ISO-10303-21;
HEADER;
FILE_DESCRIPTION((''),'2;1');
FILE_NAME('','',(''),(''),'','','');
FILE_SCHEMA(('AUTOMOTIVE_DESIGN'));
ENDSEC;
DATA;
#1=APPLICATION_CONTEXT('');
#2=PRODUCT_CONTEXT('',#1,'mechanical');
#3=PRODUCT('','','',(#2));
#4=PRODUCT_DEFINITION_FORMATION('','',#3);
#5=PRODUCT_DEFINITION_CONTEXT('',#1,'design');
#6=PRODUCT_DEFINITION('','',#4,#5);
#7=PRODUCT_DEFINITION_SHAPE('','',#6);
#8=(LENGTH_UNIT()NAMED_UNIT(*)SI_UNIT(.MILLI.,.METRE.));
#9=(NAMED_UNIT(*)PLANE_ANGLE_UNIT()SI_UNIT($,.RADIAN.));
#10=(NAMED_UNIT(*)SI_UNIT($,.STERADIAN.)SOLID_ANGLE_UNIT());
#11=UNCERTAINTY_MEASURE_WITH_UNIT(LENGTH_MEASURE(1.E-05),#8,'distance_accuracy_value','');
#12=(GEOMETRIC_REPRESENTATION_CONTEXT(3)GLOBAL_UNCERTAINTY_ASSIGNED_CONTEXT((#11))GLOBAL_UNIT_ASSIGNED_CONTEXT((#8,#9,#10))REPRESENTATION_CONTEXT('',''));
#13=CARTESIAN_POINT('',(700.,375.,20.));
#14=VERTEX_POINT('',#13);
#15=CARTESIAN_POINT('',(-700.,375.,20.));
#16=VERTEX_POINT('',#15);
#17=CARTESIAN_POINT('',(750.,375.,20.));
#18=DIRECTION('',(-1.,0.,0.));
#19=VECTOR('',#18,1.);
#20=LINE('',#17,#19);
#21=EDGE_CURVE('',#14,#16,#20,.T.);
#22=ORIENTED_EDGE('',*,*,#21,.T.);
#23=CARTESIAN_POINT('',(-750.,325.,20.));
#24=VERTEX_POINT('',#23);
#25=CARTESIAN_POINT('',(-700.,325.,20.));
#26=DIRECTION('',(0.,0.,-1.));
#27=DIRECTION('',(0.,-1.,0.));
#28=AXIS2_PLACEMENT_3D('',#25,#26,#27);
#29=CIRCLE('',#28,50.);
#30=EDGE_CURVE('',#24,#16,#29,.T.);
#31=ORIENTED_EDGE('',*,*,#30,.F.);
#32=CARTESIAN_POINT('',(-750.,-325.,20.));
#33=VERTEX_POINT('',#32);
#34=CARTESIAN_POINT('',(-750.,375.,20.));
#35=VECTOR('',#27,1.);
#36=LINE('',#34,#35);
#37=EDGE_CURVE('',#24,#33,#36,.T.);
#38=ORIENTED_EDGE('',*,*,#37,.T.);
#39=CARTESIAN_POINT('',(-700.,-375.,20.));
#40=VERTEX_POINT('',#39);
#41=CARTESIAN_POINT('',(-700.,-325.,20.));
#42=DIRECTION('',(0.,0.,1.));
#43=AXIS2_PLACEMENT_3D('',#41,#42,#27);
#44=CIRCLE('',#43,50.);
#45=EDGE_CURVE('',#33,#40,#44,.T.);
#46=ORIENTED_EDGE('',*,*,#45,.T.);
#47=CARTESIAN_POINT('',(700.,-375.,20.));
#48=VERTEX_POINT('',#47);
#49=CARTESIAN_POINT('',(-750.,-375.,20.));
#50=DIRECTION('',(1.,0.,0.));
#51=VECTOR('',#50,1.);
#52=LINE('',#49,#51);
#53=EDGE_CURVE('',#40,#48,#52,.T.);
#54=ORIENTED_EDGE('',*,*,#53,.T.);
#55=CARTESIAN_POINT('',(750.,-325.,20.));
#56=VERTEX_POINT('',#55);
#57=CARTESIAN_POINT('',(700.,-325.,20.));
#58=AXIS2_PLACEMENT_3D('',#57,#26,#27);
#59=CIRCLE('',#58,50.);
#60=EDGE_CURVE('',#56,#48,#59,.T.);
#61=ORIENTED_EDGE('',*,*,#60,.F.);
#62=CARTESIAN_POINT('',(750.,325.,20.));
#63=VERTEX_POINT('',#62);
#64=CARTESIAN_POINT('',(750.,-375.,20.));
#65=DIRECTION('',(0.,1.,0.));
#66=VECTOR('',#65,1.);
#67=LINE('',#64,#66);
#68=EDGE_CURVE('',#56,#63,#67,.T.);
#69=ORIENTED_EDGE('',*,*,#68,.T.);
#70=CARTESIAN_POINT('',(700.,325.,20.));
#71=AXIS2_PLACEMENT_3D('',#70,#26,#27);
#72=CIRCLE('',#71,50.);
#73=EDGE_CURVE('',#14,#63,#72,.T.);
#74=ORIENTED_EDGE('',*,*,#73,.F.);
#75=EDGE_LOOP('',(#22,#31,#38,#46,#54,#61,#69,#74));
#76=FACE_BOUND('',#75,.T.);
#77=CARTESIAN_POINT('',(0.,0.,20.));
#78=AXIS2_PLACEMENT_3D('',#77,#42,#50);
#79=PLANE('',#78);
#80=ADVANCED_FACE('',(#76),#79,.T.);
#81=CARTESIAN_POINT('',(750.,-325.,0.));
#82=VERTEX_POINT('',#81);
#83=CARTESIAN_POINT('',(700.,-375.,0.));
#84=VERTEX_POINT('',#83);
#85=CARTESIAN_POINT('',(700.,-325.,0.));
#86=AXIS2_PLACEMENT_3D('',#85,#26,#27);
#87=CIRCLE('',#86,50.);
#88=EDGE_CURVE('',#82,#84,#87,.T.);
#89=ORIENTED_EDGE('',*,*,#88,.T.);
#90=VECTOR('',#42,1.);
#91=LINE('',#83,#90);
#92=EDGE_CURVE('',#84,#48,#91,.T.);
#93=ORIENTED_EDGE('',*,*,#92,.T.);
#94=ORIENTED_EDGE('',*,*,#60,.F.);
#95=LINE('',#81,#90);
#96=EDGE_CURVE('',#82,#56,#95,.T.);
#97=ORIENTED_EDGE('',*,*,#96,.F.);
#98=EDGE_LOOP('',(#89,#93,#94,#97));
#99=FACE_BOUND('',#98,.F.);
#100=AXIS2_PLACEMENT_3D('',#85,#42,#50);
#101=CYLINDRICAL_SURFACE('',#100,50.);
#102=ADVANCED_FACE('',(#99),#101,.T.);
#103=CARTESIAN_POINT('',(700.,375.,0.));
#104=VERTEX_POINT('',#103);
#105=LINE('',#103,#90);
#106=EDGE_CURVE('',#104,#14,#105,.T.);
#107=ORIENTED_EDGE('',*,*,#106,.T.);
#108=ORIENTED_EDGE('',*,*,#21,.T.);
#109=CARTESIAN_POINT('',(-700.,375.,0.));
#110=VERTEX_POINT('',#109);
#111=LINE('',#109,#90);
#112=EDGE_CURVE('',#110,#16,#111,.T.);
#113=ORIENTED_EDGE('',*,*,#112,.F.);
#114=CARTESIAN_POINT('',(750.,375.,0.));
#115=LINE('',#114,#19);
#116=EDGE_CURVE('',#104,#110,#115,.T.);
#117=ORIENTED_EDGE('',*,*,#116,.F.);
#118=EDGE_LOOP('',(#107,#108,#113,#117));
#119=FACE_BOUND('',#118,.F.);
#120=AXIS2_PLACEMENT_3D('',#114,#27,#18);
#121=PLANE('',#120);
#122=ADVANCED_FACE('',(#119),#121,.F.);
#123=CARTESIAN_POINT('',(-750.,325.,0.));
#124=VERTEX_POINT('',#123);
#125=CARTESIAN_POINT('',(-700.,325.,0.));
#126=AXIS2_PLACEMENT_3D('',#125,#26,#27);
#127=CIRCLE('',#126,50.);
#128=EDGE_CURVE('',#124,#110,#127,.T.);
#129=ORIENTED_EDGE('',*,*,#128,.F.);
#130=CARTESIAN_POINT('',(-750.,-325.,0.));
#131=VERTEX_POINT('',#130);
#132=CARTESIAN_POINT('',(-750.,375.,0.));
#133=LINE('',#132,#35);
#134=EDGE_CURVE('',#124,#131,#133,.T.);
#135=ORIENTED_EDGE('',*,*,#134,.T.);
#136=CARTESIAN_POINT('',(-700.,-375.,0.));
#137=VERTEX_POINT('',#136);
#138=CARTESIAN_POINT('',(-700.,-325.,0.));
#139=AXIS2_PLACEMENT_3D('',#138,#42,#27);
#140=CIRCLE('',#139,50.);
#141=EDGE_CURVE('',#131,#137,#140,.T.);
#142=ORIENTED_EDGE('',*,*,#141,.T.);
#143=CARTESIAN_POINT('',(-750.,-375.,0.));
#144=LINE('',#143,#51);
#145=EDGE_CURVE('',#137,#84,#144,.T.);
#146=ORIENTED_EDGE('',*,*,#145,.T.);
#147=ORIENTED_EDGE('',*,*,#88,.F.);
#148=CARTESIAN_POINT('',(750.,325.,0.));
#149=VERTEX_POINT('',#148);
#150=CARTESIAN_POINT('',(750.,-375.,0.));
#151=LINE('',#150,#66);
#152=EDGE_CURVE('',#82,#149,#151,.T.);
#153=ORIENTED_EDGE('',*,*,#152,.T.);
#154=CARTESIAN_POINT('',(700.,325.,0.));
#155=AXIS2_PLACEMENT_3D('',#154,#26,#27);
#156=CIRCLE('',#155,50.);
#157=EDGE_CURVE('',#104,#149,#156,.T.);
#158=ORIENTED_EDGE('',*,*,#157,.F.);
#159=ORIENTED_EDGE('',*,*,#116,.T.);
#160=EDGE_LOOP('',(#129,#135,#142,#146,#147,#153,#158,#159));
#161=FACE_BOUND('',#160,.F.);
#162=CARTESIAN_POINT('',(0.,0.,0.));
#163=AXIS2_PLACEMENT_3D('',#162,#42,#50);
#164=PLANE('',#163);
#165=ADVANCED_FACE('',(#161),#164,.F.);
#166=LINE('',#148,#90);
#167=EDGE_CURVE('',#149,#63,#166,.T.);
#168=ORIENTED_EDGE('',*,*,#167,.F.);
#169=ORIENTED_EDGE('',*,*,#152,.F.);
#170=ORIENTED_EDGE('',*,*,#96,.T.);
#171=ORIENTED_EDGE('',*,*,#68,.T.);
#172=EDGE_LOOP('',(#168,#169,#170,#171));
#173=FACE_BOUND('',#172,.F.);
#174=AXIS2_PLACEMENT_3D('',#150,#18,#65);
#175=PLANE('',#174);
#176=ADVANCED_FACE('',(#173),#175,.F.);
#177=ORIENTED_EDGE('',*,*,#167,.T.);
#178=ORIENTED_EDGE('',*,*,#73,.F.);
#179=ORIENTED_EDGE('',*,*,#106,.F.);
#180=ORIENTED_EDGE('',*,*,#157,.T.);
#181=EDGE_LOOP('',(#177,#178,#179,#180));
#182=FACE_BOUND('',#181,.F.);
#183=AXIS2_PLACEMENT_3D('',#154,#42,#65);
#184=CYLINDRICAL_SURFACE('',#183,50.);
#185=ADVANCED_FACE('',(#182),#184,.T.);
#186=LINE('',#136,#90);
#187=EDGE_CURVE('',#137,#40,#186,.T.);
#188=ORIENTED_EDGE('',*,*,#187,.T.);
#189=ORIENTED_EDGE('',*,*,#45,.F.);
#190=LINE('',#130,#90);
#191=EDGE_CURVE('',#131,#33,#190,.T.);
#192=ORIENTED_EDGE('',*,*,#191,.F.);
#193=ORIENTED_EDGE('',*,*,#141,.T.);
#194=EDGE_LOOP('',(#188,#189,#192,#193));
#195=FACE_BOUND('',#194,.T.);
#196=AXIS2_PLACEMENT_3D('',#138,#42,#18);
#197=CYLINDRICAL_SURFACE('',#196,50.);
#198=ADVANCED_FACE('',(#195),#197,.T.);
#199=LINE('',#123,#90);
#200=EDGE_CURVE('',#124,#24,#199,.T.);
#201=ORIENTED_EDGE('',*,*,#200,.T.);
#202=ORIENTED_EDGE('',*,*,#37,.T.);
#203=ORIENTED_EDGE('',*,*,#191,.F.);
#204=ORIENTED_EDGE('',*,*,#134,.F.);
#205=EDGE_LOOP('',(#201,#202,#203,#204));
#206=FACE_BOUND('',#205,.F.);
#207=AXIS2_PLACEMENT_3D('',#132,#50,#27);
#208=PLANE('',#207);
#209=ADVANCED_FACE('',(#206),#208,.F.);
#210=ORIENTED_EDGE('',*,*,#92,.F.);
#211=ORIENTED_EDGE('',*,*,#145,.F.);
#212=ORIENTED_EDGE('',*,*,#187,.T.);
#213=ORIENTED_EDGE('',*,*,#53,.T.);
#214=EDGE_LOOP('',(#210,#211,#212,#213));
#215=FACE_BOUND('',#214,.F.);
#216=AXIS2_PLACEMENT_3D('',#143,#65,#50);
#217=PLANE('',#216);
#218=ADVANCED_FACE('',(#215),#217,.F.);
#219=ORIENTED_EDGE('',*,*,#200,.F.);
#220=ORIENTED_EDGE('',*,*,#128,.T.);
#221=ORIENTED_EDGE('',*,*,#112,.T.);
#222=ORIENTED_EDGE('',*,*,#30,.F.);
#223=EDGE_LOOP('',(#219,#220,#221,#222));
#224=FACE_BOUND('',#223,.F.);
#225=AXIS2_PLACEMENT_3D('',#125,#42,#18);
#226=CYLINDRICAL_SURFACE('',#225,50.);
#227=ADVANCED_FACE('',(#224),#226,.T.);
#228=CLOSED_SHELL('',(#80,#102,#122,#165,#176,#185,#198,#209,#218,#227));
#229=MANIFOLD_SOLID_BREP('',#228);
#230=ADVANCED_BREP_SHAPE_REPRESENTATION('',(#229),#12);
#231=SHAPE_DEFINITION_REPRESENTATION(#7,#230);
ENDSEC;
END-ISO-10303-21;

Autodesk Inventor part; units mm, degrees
sketch "Sketch1" plane through (0, 0, 0) normal (0, 0, 1) x (1, 0, 0)
  line L0 (-750, -375) -> (750, -375)
  line L1 (750, -375) -> (750, 375)
  line L2 (750, 375) -> (-750, 375)
  line L3 (-750, 375) -> (-750, -375)
  line L4 (-750, -375) -> (750, 375) construction
  line L5 (750, -375) -> (-750, 375) construction
  point P0 (0, 0)
  dimension "d0" = 750
  dimension "d1" = 1500
extrude "Extrusion1" add sketch "Sketch1" along normal blind 20
fillet "Fillet1" radius 50 4 edges at (750, 375, 10) (750, -375, 10) (-750, 375, 10) (-750, -375, 10)
properties part number "mesa_0001_00001"
